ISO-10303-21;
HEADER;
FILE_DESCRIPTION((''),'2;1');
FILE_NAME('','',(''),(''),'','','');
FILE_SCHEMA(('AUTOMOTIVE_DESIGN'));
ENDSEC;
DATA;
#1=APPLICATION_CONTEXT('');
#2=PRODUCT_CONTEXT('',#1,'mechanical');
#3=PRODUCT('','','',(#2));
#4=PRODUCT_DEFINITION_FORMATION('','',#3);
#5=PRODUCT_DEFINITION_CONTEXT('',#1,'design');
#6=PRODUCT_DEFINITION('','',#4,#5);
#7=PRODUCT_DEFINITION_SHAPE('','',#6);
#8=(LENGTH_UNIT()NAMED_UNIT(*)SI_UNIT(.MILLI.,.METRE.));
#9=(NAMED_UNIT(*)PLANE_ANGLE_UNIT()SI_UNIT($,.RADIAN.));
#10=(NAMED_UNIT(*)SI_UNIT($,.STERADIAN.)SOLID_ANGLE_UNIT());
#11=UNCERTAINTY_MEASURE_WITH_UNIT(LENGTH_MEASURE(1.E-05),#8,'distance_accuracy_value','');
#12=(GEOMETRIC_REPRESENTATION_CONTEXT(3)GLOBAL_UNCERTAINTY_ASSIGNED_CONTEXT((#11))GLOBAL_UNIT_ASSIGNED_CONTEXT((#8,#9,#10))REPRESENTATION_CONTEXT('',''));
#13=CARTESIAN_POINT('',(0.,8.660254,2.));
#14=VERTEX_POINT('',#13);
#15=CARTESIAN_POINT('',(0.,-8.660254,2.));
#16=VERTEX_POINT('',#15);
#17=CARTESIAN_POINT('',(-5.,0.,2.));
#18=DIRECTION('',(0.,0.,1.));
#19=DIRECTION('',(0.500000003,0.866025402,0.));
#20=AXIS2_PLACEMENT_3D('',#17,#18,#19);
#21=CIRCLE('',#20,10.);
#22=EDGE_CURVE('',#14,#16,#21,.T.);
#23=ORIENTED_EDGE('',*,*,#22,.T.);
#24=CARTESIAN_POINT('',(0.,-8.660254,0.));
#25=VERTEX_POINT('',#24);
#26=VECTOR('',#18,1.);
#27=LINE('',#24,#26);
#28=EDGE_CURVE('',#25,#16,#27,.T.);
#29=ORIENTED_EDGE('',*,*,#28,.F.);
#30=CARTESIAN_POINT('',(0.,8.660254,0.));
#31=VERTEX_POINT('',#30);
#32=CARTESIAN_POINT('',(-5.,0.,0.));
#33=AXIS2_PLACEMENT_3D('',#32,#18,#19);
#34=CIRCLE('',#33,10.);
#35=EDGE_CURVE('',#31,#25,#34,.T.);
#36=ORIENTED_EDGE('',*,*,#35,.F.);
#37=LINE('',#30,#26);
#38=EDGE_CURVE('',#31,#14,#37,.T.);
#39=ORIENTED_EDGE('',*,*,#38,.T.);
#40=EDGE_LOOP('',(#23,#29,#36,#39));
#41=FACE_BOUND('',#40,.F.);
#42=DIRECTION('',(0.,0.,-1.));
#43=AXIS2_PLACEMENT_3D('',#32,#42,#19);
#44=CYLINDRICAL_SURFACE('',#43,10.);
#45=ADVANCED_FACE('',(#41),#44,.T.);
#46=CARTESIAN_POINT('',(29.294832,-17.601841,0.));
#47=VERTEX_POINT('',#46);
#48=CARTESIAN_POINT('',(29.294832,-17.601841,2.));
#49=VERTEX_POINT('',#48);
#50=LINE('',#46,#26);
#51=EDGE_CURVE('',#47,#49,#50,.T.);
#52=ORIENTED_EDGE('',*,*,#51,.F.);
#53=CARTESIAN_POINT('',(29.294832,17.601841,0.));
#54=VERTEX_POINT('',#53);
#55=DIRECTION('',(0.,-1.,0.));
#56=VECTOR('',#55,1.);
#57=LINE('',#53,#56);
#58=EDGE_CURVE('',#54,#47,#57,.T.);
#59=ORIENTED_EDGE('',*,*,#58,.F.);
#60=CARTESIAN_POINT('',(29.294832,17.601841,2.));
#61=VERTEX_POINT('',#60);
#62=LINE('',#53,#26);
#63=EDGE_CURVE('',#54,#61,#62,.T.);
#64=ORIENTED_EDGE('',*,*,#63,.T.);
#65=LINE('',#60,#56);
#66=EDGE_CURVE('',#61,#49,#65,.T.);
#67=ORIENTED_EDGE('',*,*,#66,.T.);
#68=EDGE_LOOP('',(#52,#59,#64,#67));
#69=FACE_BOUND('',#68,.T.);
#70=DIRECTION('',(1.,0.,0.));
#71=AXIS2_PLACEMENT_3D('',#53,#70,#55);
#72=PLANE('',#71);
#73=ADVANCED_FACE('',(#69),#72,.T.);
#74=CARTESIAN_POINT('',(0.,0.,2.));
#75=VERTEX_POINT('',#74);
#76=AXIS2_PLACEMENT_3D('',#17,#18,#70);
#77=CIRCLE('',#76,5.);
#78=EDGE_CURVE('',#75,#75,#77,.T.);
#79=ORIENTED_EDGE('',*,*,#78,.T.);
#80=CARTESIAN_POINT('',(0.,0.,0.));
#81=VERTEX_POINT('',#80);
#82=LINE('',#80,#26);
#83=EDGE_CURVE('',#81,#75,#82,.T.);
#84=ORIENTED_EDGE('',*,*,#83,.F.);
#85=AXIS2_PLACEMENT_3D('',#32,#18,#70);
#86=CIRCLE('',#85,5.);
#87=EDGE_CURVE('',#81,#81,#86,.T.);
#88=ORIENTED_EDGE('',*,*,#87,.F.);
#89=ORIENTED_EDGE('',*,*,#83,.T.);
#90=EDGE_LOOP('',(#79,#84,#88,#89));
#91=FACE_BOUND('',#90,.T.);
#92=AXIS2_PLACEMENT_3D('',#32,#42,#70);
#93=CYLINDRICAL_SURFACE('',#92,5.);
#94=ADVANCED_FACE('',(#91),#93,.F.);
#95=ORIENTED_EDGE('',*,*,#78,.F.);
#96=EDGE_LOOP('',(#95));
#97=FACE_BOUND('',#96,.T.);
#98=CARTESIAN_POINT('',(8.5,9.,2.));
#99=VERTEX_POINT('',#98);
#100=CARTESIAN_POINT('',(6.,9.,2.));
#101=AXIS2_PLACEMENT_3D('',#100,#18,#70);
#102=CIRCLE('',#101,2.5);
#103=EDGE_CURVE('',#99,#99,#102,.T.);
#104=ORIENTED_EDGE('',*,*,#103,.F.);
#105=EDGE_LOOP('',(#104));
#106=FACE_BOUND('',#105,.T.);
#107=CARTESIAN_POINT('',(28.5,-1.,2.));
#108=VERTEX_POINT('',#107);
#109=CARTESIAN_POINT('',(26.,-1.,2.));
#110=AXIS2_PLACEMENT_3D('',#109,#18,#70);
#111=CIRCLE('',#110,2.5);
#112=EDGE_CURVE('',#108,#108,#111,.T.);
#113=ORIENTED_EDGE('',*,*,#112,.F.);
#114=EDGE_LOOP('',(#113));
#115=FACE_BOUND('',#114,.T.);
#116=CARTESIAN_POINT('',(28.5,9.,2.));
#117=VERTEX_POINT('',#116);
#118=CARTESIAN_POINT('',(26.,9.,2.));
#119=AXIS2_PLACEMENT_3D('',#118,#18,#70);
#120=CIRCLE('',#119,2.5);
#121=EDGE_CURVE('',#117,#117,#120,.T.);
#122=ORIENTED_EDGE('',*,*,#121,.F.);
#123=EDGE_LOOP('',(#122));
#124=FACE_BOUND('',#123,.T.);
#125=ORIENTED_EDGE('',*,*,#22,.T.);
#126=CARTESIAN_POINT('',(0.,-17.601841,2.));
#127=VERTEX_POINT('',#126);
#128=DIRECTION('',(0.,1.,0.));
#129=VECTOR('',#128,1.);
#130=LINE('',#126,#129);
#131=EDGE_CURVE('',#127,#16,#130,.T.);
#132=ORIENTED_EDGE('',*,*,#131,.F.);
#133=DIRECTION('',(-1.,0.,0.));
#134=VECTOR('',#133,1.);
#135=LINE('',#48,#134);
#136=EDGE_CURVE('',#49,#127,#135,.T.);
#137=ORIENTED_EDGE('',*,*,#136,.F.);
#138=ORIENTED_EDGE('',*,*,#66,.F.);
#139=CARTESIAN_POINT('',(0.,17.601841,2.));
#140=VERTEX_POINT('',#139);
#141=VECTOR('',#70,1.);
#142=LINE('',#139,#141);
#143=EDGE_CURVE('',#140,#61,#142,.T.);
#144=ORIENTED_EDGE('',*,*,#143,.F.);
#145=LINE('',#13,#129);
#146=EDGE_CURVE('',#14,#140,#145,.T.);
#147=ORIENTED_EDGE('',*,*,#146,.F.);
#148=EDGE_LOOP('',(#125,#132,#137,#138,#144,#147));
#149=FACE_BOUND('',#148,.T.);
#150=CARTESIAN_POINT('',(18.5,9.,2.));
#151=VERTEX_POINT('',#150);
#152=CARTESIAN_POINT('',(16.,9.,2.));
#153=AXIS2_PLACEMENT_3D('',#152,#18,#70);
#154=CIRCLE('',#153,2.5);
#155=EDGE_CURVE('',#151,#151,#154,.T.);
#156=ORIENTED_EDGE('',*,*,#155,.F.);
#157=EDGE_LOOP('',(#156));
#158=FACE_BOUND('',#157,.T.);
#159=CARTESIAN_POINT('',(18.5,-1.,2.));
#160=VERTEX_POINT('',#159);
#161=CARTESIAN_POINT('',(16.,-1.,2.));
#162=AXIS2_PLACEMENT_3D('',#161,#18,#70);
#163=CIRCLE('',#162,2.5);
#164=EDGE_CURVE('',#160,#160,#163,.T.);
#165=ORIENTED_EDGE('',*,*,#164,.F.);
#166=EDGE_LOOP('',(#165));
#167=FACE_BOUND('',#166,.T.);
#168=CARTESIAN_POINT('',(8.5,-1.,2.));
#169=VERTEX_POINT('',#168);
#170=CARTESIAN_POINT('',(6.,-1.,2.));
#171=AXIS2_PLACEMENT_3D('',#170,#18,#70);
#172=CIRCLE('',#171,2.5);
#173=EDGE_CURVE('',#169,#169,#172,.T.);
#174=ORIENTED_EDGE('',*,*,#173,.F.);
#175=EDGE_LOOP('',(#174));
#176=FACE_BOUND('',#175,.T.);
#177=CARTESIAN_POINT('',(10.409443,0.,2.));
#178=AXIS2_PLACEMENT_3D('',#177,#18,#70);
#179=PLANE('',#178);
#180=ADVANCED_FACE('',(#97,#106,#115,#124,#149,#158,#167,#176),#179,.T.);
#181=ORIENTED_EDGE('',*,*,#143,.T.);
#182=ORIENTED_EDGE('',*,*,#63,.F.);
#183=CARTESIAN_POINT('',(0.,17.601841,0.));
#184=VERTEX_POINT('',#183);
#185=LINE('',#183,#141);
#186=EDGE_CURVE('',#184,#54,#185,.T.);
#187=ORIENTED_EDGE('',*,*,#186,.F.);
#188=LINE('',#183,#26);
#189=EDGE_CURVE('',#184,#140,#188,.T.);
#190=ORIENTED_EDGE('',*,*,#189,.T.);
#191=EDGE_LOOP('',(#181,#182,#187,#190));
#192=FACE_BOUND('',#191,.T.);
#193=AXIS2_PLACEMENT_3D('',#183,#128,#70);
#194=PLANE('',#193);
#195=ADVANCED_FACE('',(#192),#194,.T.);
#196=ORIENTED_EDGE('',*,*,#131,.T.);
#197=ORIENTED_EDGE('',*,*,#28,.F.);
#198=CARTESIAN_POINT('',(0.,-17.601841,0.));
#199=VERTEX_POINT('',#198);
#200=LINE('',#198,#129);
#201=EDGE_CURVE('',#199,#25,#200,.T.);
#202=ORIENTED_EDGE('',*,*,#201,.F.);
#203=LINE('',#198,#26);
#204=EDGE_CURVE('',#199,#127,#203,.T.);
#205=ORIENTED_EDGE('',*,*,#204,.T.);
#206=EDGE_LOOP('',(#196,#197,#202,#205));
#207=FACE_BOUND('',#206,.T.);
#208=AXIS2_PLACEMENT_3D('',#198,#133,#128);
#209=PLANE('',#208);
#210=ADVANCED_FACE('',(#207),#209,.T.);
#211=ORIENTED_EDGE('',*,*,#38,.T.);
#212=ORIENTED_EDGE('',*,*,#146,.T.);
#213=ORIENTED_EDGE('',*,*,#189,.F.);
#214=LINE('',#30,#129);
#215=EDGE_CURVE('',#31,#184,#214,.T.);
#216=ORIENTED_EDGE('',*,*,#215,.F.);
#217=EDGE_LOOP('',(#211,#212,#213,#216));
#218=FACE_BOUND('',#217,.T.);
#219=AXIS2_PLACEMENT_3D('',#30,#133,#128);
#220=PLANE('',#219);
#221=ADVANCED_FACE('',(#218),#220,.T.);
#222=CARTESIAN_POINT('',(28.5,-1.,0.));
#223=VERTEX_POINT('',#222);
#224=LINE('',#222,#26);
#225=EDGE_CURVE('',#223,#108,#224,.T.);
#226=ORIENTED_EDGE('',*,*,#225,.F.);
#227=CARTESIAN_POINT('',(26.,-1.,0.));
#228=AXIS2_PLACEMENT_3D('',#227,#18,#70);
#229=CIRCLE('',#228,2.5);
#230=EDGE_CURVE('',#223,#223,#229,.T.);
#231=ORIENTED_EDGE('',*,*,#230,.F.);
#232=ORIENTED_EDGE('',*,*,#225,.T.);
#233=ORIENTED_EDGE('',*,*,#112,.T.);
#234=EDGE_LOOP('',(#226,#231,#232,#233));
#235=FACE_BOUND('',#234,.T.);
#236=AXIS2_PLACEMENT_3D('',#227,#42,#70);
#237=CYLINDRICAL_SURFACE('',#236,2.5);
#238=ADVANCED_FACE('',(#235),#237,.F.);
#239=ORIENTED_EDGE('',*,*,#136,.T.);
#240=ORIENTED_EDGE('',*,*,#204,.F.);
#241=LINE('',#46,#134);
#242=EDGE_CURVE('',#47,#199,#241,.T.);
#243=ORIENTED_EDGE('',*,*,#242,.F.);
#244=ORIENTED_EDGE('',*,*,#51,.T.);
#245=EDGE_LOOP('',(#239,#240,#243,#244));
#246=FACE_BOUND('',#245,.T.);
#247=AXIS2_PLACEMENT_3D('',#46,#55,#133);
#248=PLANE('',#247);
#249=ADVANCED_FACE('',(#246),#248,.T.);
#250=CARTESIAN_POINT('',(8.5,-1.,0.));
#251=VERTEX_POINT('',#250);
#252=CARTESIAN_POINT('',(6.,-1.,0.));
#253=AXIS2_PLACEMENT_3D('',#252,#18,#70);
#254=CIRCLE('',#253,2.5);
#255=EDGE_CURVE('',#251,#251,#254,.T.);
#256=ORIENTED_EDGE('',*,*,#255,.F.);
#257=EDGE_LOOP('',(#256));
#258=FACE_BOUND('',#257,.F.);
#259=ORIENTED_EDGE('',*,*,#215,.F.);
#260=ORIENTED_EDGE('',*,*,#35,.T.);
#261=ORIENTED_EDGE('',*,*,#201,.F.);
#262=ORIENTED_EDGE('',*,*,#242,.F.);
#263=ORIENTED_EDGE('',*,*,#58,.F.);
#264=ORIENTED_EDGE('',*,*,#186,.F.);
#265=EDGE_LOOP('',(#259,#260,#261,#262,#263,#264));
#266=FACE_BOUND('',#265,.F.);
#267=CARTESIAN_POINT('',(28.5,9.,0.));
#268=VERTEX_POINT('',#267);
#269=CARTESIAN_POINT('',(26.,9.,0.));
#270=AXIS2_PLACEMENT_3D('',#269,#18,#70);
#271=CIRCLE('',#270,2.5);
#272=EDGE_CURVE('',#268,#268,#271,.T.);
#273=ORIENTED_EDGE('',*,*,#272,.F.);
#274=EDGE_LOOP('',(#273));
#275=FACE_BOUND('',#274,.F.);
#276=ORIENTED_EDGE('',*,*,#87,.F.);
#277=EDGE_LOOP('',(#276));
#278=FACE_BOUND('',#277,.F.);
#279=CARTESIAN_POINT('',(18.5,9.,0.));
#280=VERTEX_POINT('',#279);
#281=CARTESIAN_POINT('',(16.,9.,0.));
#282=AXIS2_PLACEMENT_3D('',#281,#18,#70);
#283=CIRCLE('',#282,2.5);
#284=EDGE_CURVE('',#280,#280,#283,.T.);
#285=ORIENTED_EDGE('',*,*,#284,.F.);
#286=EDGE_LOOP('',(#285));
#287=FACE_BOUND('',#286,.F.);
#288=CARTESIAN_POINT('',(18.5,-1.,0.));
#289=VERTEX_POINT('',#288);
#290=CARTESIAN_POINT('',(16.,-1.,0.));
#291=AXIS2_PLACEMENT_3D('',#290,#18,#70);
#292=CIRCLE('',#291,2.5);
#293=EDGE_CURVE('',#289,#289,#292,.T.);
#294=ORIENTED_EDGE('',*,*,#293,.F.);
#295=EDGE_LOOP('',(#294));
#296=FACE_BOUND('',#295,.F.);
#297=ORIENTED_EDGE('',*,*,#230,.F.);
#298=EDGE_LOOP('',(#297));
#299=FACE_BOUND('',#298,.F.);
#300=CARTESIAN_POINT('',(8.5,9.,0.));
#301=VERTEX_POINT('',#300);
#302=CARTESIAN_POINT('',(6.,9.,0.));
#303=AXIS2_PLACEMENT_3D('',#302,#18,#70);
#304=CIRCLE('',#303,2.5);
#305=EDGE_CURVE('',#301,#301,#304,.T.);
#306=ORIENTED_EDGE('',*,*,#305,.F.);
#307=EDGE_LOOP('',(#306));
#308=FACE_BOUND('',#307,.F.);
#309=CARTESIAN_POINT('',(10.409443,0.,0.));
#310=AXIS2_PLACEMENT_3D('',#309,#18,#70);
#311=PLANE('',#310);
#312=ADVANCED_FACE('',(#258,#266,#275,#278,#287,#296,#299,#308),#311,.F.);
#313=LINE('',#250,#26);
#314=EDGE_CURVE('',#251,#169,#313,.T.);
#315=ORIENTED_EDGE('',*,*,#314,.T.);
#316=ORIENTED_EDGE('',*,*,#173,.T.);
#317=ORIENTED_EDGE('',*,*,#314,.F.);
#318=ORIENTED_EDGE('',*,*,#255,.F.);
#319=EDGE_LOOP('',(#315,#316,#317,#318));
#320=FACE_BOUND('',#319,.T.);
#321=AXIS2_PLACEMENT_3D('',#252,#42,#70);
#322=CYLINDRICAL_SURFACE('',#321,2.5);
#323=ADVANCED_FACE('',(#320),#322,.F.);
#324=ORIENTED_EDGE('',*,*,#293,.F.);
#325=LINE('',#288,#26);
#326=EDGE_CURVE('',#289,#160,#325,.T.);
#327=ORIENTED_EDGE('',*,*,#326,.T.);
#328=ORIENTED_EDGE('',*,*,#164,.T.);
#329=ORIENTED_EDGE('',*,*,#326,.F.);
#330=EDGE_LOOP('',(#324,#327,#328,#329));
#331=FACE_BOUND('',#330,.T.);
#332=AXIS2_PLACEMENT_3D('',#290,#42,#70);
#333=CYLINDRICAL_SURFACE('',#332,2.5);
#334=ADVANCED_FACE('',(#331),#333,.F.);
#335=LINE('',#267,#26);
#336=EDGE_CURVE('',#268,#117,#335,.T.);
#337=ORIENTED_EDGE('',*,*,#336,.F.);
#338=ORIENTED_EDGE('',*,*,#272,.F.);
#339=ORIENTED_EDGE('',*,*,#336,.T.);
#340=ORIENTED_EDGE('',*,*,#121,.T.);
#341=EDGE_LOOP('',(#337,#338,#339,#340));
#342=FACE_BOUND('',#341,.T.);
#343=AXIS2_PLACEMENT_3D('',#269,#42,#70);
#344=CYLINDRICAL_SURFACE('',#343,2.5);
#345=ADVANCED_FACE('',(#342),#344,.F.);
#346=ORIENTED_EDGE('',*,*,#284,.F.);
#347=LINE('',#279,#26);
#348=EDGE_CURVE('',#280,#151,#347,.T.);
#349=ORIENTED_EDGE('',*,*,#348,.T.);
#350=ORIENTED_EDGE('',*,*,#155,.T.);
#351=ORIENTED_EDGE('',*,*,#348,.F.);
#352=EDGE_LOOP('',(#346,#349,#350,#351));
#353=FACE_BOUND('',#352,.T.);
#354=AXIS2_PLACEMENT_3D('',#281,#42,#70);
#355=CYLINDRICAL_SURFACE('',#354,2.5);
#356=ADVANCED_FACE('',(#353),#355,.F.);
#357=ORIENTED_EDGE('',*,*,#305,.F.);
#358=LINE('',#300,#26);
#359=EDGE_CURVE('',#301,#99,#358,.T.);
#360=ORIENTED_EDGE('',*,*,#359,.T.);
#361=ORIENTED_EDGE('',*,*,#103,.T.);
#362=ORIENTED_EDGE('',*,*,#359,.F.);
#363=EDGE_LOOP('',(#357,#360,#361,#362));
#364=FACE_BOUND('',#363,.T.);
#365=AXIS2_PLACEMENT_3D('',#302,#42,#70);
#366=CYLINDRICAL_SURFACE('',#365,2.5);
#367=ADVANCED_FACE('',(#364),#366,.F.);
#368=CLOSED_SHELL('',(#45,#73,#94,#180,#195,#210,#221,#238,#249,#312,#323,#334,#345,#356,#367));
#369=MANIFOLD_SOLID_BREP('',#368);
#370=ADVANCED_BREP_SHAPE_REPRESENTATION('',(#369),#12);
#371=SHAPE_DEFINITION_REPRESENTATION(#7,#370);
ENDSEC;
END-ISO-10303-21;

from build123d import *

# Parameters (mm, degrees)
SKETCH001_R      = 2.5
EXTRUDE001_DEPTH = 2
ARRAY_X_COUNT    = 3
ARRAY_X_PITCH    = 10
ARRAY_Y_COUNT    = 2
ARRAY_Y_PITCH    = 10
SKETCH_R         = 5
EXTRUDE_DEPTH    = 2


with BuildPart() as array:
    # Sketch001 (on Sketch) → Extrude001 (new body)
    with BuildSketch(Plane.XY):
        with Locations((6, 9)):
            Circle(SKETCH001_R)
    extrude(amount=EXTRUDE001_DEPTH)

    # Array X: Array ×3


with BuildPart() as array_1:
    add(array.part)
    with Locations(*[(i * ARRAY_X_PITCH, 0, 0) for i in range(1, ARRAY_X_COUNT)]):
        add(array.part)

    # Array Y: Array ×2


with BuildPart() as array_2:
    add(array_1.part)
    with Locations(*[(0, -i * ARRAY_Y_PITCH, 0) for i in range(1, ARRAY_Y_COUNT)]):
        add(array_1.part)


with BuildPart() as cut:
    # Sketch → Extrude (new body)
    with BuildSketch(Plane.XY):
        with BuildLine():
            ThreePointArc((0, 8.660254), (-15, 0), (0, -8.660254))
            Line((0, -17.601841), (0, -8.660254))
            Line((29.294832, -17.601841), (0, -17.601841))
            Line((29.294832, 17.601841), (29.294832, -17.601841))
            Line((0, 17.601841), (29.294832, 17.601841))
            Line((0, 8.660254), (0, 17.601841))
        make_face()
        with Locations((-5, 0)):
            Circle(SKETCH_R, mode=Mode.SUBTRACT)
    extrude(amount=EXTRUDE_DEPTH)

    # Cut: cut Array
    add(array_2.part, mode=Mode.SUBTRACT)


solid = cut.part
